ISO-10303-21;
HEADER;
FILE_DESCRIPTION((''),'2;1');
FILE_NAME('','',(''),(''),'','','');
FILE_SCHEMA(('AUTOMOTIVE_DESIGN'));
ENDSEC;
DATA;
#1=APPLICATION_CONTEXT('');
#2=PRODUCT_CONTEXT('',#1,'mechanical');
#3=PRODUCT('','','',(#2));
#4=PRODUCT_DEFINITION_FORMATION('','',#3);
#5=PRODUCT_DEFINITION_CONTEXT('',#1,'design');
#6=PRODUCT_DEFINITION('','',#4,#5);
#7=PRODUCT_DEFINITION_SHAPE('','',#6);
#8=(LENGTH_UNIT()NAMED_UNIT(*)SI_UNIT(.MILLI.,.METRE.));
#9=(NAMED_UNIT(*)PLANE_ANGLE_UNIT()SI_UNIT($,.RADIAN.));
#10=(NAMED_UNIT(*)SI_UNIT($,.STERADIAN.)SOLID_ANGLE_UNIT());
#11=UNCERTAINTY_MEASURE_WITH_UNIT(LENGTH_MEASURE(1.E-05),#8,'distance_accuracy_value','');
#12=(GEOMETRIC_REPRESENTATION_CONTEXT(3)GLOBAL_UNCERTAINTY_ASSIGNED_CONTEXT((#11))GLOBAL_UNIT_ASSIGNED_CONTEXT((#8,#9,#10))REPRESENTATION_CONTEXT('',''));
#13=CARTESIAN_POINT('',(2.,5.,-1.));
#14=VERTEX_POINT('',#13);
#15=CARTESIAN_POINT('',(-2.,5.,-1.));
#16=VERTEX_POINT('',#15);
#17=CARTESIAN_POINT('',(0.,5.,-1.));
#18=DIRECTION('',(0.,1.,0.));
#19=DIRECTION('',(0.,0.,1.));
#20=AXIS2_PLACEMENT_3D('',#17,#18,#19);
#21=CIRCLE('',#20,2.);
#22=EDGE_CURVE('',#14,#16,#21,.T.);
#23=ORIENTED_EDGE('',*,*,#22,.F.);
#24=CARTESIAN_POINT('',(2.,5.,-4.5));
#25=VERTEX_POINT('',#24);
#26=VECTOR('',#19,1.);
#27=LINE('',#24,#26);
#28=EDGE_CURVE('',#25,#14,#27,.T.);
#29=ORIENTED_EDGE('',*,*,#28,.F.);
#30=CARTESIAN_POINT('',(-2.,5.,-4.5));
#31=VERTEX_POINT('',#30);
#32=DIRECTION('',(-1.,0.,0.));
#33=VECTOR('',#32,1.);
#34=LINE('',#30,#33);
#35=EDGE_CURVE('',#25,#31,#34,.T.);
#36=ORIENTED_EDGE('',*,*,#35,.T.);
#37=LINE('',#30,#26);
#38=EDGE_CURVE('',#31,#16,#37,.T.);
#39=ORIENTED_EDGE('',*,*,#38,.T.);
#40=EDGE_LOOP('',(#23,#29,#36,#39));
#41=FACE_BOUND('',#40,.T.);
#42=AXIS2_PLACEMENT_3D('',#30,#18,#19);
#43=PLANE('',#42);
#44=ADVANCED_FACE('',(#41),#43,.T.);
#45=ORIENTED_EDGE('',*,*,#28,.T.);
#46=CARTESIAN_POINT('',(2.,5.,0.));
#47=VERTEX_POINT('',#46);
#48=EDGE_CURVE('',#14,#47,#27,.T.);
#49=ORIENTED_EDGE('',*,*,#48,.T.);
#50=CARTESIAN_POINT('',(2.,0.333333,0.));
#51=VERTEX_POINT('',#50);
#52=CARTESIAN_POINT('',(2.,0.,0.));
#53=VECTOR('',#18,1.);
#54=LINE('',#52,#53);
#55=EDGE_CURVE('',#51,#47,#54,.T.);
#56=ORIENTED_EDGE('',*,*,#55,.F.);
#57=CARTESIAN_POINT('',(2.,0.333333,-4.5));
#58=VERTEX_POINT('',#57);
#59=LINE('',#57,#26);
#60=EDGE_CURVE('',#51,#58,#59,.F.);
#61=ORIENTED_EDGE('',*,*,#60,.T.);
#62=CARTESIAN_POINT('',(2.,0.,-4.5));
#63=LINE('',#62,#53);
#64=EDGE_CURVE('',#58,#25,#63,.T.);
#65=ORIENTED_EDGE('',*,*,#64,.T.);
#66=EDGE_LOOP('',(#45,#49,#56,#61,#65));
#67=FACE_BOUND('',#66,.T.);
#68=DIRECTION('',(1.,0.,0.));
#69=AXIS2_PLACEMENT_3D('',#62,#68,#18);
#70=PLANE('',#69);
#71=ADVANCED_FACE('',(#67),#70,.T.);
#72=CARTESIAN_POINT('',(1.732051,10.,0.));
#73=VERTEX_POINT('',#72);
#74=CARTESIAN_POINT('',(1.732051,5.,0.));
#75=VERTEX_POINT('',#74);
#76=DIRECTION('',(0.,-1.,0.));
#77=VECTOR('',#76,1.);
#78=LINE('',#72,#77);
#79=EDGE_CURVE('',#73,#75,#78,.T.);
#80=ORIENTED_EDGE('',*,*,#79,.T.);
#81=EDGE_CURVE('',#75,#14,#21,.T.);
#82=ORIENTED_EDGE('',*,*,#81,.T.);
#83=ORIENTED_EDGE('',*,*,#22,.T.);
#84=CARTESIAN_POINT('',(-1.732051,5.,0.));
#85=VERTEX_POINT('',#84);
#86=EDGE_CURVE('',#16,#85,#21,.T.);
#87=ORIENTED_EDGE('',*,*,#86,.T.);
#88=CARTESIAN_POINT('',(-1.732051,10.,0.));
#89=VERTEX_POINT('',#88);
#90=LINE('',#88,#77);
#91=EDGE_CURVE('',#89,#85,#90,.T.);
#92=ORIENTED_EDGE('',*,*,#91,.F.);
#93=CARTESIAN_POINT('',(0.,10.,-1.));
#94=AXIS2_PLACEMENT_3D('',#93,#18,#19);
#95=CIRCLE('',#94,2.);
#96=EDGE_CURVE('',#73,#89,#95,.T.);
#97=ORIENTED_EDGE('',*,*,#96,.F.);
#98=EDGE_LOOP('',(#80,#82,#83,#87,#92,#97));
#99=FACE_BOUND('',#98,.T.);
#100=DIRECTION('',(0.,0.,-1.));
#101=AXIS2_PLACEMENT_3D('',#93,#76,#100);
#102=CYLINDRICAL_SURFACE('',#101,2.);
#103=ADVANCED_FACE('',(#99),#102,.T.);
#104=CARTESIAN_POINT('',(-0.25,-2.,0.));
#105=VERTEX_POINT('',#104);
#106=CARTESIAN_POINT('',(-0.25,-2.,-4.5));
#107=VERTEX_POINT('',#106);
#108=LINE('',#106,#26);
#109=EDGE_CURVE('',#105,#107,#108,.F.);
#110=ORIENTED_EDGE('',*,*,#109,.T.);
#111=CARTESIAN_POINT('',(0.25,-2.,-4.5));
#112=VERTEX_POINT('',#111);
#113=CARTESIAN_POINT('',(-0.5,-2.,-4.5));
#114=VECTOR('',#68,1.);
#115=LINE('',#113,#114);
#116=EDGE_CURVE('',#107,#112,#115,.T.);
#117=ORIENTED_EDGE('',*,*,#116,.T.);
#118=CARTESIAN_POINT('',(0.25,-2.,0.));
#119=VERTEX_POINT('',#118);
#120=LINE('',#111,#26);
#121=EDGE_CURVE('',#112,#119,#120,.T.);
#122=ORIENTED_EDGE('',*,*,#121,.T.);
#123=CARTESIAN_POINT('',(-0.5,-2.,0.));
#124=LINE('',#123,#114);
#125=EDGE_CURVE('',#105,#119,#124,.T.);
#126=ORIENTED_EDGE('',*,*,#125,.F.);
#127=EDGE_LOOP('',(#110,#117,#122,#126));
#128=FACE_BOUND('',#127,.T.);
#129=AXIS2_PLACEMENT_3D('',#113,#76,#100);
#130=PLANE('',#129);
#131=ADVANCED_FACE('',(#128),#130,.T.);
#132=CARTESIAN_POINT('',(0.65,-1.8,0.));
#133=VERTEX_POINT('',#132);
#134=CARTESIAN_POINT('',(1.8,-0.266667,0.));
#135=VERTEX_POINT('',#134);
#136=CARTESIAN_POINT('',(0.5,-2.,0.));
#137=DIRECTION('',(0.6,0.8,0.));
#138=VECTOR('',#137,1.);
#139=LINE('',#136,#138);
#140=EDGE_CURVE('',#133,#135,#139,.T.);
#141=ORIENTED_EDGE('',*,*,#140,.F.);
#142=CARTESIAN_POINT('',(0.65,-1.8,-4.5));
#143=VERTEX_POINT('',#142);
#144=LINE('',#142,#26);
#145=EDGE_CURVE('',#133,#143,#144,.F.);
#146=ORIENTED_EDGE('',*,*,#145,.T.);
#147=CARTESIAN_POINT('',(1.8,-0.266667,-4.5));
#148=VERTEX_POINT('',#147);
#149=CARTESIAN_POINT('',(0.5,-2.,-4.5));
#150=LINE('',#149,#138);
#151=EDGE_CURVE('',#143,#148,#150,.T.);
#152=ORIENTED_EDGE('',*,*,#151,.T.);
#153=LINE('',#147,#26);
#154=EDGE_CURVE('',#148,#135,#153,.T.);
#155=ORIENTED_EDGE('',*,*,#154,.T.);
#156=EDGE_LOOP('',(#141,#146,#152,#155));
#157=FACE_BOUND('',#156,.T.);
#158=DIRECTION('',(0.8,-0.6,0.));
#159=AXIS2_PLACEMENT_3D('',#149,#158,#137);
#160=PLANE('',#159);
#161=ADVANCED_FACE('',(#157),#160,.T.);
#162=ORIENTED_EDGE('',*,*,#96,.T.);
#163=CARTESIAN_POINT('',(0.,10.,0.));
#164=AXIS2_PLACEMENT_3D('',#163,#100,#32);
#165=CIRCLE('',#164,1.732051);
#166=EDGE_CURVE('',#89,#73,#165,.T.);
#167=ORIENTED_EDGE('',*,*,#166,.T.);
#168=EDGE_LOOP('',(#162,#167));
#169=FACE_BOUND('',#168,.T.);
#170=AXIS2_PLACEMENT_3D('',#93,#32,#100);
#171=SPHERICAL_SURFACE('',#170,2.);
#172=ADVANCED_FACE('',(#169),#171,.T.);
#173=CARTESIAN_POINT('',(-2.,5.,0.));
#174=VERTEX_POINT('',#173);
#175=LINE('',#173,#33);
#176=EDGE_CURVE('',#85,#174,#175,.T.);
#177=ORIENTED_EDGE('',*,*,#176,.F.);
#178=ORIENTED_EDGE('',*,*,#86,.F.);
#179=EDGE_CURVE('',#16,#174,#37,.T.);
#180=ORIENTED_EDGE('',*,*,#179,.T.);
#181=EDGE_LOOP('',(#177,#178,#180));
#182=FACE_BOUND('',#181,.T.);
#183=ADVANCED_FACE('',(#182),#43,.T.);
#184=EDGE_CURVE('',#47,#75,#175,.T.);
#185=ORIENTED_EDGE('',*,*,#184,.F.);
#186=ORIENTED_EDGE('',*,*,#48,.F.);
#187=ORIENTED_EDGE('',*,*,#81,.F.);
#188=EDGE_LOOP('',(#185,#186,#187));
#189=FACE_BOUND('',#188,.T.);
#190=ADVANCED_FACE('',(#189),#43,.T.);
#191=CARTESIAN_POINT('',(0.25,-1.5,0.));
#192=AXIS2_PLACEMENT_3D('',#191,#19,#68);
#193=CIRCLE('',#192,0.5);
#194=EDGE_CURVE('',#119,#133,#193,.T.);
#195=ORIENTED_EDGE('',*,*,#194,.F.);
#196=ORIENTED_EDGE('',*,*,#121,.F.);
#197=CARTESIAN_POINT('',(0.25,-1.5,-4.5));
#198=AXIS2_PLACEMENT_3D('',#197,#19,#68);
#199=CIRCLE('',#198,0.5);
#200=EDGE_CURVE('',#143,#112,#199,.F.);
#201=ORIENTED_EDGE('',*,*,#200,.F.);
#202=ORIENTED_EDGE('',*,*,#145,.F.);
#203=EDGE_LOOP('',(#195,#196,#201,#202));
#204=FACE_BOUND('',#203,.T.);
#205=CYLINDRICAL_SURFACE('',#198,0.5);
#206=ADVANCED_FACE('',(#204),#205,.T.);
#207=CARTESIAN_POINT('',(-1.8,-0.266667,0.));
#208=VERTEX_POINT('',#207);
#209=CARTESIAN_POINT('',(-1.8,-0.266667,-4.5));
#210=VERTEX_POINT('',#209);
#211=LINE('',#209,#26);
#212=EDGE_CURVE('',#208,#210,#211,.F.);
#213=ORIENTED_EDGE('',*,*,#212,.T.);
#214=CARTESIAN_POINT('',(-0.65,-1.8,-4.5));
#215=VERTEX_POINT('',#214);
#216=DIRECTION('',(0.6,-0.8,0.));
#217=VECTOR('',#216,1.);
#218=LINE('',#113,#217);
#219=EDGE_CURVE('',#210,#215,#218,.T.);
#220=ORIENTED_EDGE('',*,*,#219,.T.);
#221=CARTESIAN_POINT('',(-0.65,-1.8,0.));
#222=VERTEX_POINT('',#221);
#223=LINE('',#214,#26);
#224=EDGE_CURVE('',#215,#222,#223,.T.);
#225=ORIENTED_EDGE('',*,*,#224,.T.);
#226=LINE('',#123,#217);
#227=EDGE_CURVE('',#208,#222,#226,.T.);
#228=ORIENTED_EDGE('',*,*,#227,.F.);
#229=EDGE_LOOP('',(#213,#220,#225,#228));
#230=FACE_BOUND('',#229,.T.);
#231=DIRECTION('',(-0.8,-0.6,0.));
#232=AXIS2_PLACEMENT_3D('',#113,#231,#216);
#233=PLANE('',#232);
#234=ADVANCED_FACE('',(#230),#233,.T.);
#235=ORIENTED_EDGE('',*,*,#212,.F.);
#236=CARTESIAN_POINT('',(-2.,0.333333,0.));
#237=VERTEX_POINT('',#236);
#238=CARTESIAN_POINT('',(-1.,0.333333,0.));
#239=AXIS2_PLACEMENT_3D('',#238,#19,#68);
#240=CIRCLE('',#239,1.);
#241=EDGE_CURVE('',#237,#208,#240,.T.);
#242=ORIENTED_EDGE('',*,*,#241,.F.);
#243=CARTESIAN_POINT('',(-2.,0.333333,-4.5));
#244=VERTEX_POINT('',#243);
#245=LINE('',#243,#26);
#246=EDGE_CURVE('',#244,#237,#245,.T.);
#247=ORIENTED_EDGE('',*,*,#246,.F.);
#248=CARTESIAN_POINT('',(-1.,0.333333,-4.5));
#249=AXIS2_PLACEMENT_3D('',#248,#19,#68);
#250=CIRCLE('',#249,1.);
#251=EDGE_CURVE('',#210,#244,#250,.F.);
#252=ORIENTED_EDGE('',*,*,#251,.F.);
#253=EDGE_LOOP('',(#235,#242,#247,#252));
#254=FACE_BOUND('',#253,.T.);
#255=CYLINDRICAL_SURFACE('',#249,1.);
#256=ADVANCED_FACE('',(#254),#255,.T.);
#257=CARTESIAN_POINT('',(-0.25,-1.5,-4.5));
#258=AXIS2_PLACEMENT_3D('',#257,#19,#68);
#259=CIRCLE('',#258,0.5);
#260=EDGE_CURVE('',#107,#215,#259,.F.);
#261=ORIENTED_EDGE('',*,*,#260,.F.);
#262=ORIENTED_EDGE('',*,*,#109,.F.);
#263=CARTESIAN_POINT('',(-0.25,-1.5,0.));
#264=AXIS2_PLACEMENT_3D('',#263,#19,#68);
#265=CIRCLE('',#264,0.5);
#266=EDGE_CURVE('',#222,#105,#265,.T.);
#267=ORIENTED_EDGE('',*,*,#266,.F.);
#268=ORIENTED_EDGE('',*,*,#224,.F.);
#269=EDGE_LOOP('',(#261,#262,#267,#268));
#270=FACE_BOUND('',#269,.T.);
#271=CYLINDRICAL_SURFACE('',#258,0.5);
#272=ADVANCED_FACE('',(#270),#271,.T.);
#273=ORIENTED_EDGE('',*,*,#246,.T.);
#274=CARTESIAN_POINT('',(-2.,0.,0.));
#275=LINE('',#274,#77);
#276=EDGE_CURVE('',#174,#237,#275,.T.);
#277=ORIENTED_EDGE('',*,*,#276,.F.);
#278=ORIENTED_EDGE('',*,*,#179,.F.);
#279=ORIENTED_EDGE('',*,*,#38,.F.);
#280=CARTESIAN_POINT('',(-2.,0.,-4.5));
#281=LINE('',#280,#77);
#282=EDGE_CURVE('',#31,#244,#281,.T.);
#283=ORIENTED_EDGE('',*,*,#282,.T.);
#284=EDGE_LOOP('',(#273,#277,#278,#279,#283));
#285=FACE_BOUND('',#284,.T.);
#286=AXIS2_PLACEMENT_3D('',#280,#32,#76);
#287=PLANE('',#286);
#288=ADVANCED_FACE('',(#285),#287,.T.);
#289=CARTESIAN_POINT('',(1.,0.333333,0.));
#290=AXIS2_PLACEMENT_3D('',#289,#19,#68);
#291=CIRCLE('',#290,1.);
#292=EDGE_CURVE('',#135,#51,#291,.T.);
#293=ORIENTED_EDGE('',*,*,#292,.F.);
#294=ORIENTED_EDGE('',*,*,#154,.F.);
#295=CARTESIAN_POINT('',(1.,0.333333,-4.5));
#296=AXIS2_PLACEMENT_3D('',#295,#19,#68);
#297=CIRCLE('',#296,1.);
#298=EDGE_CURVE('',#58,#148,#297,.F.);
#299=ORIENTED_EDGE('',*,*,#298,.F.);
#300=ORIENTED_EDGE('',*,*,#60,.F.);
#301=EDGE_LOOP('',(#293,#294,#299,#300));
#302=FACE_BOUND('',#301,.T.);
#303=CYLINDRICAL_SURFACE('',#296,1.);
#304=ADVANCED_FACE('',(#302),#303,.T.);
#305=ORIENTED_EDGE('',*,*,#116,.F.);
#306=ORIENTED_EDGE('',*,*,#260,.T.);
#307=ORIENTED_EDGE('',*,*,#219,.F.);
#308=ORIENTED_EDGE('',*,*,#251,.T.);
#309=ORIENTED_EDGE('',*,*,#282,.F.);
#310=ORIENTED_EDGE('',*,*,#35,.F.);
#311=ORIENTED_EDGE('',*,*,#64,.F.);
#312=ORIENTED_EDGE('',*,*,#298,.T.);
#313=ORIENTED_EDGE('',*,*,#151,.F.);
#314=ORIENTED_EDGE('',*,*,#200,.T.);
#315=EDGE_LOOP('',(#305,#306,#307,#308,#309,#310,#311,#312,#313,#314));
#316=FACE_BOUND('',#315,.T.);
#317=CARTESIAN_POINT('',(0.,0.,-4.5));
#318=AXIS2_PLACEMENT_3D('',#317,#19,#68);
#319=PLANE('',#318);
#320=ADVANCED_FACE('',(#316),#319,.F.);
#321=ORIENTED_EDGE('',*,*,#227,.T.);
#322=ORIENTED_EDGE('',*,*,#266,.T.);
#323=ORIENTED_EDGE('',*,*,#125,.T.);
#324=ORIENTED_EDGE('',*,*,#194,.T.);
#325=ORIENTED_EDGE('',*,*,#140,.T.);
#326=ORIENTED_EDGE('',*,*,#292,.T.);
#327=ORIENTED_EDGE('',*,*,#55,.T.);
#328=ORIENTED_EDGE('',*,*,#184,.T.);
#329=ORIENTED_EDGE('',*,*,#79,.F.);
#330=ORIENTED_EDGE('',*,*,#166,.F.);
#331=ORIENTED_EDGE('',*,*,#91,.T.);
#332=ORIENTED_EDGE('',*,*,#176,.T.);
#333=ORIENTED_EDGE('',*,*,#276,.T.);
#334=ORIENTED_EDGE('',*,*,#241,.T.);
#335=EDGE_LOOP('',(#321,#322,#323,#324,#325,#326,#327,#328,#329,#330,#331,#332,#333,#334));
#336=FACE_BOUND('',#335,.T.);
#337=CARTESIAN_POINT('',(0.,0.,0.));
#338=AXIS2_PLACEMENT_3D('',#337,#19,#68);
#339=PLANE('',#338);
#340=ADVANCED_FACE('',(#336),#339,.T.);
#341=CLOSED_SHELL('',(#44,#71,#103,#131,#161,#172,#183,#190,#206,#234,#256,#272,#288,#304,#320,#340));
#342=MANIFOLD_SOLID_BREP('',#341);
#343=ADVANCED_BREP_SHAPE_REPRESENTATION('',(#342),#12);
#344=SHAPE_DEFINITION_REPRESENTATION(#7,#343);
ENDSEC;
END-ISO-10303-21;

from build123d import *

# Parameters (mm, degrees)
EXTRUDE_1_DEPTH          = 4.5
EXTRUDE_2_DEPTH          = 5
SKETCH_4_W               = 4.107505073
SKETCH_4_H               = 2.274071006
CUT_EXTRUDE_1_DEPTH      = 13
CUT_EXTRUDE_1_DEPTH_BACK = 3
FILLET_1_R               = 1
FILLET_2_R               = 0.5


with BuildPart() as part:
    # Эскиз1 → Бобышка-Вытянуть1 (new body)
    with BuildSketch(Plane.XY):
        Polygon((2, 0), (2, 5), (-2, 5), (-2, 0), (-0.5, -2), (0.5, -2), align=None)
    extrude(amount=-EXTRUDE_1_DEPTH)

    # Эскиз2 → Бобышка-Вытянуть2 (add)
    with BuildSketch(Plane(origin=(0, 5, 0), x_dir=(1, 0, 0), z_dir=(0, 1, 0))):
        with BuildLine():
            Line((-1.732050808, 0), (1.732050808, 0))
            ThreePointArc((1.732050808, 0), (0, 3), (-1.732050808, 0))
        make_face()
    extrude(amount=EXTRUDE_2_DEPTH)

    # Эскиз3 → Повернуть1 (revolve)
    with BuildSketch(Plane(origin=(0, 10, 0), x_dir=(1, 0, 0), z_dir=(0, 1, 0))):
        with BuildLine():
            ThreePointArc((2, 1), (0, 3), (-2, 1))
            Line((-2, 1), (2, 1))
        make_face()
    revolve(axis=Axis((-2, 10, -1), (1, 0, 0)))

    # Эскиз4 → Вырез-Вытянуть1 (cut, two sides)
    with BuildSketch(Plane(origin=(0, 0, 0), x_dir=(1, 0, 0), z_dir=(0, 1, 0))) as cut_extrude_1_sk:
        with Locations((0.053752537, -1.137035503)):
            Rectangle(SKETCH_4_W, SKETCH_4_H)
    extrude(amount=CUT_EXTRUDE_1_DEPTH, mode=Mode.SUBTRACT)
    extrude(cut_extrude_1_sk.sketch, amount=-CUT_EXTRUDE_1_DEPTH_BACK, mode=Mode.SUBTRACT)

    # Скругление1
    fillet_1_edges = [part.edges().sort_by_distance(p)[0] for p in [
        (2, 0, -2.25),
        (-2, 0, -2.25),
    ]]
    fillet(fillet_1_edges, radius=FILLET_1_R)

    # Скругление2
    fillet_2_edges = [part.edges().sort_by_distance(p)[0] for p in [
        (0.5, -2, -2.25),
        (-0.5, -2, -2.25),
    ]]
    fillet(fillet_2_edges, radius=FILLET_2_R)


solid = part.part
